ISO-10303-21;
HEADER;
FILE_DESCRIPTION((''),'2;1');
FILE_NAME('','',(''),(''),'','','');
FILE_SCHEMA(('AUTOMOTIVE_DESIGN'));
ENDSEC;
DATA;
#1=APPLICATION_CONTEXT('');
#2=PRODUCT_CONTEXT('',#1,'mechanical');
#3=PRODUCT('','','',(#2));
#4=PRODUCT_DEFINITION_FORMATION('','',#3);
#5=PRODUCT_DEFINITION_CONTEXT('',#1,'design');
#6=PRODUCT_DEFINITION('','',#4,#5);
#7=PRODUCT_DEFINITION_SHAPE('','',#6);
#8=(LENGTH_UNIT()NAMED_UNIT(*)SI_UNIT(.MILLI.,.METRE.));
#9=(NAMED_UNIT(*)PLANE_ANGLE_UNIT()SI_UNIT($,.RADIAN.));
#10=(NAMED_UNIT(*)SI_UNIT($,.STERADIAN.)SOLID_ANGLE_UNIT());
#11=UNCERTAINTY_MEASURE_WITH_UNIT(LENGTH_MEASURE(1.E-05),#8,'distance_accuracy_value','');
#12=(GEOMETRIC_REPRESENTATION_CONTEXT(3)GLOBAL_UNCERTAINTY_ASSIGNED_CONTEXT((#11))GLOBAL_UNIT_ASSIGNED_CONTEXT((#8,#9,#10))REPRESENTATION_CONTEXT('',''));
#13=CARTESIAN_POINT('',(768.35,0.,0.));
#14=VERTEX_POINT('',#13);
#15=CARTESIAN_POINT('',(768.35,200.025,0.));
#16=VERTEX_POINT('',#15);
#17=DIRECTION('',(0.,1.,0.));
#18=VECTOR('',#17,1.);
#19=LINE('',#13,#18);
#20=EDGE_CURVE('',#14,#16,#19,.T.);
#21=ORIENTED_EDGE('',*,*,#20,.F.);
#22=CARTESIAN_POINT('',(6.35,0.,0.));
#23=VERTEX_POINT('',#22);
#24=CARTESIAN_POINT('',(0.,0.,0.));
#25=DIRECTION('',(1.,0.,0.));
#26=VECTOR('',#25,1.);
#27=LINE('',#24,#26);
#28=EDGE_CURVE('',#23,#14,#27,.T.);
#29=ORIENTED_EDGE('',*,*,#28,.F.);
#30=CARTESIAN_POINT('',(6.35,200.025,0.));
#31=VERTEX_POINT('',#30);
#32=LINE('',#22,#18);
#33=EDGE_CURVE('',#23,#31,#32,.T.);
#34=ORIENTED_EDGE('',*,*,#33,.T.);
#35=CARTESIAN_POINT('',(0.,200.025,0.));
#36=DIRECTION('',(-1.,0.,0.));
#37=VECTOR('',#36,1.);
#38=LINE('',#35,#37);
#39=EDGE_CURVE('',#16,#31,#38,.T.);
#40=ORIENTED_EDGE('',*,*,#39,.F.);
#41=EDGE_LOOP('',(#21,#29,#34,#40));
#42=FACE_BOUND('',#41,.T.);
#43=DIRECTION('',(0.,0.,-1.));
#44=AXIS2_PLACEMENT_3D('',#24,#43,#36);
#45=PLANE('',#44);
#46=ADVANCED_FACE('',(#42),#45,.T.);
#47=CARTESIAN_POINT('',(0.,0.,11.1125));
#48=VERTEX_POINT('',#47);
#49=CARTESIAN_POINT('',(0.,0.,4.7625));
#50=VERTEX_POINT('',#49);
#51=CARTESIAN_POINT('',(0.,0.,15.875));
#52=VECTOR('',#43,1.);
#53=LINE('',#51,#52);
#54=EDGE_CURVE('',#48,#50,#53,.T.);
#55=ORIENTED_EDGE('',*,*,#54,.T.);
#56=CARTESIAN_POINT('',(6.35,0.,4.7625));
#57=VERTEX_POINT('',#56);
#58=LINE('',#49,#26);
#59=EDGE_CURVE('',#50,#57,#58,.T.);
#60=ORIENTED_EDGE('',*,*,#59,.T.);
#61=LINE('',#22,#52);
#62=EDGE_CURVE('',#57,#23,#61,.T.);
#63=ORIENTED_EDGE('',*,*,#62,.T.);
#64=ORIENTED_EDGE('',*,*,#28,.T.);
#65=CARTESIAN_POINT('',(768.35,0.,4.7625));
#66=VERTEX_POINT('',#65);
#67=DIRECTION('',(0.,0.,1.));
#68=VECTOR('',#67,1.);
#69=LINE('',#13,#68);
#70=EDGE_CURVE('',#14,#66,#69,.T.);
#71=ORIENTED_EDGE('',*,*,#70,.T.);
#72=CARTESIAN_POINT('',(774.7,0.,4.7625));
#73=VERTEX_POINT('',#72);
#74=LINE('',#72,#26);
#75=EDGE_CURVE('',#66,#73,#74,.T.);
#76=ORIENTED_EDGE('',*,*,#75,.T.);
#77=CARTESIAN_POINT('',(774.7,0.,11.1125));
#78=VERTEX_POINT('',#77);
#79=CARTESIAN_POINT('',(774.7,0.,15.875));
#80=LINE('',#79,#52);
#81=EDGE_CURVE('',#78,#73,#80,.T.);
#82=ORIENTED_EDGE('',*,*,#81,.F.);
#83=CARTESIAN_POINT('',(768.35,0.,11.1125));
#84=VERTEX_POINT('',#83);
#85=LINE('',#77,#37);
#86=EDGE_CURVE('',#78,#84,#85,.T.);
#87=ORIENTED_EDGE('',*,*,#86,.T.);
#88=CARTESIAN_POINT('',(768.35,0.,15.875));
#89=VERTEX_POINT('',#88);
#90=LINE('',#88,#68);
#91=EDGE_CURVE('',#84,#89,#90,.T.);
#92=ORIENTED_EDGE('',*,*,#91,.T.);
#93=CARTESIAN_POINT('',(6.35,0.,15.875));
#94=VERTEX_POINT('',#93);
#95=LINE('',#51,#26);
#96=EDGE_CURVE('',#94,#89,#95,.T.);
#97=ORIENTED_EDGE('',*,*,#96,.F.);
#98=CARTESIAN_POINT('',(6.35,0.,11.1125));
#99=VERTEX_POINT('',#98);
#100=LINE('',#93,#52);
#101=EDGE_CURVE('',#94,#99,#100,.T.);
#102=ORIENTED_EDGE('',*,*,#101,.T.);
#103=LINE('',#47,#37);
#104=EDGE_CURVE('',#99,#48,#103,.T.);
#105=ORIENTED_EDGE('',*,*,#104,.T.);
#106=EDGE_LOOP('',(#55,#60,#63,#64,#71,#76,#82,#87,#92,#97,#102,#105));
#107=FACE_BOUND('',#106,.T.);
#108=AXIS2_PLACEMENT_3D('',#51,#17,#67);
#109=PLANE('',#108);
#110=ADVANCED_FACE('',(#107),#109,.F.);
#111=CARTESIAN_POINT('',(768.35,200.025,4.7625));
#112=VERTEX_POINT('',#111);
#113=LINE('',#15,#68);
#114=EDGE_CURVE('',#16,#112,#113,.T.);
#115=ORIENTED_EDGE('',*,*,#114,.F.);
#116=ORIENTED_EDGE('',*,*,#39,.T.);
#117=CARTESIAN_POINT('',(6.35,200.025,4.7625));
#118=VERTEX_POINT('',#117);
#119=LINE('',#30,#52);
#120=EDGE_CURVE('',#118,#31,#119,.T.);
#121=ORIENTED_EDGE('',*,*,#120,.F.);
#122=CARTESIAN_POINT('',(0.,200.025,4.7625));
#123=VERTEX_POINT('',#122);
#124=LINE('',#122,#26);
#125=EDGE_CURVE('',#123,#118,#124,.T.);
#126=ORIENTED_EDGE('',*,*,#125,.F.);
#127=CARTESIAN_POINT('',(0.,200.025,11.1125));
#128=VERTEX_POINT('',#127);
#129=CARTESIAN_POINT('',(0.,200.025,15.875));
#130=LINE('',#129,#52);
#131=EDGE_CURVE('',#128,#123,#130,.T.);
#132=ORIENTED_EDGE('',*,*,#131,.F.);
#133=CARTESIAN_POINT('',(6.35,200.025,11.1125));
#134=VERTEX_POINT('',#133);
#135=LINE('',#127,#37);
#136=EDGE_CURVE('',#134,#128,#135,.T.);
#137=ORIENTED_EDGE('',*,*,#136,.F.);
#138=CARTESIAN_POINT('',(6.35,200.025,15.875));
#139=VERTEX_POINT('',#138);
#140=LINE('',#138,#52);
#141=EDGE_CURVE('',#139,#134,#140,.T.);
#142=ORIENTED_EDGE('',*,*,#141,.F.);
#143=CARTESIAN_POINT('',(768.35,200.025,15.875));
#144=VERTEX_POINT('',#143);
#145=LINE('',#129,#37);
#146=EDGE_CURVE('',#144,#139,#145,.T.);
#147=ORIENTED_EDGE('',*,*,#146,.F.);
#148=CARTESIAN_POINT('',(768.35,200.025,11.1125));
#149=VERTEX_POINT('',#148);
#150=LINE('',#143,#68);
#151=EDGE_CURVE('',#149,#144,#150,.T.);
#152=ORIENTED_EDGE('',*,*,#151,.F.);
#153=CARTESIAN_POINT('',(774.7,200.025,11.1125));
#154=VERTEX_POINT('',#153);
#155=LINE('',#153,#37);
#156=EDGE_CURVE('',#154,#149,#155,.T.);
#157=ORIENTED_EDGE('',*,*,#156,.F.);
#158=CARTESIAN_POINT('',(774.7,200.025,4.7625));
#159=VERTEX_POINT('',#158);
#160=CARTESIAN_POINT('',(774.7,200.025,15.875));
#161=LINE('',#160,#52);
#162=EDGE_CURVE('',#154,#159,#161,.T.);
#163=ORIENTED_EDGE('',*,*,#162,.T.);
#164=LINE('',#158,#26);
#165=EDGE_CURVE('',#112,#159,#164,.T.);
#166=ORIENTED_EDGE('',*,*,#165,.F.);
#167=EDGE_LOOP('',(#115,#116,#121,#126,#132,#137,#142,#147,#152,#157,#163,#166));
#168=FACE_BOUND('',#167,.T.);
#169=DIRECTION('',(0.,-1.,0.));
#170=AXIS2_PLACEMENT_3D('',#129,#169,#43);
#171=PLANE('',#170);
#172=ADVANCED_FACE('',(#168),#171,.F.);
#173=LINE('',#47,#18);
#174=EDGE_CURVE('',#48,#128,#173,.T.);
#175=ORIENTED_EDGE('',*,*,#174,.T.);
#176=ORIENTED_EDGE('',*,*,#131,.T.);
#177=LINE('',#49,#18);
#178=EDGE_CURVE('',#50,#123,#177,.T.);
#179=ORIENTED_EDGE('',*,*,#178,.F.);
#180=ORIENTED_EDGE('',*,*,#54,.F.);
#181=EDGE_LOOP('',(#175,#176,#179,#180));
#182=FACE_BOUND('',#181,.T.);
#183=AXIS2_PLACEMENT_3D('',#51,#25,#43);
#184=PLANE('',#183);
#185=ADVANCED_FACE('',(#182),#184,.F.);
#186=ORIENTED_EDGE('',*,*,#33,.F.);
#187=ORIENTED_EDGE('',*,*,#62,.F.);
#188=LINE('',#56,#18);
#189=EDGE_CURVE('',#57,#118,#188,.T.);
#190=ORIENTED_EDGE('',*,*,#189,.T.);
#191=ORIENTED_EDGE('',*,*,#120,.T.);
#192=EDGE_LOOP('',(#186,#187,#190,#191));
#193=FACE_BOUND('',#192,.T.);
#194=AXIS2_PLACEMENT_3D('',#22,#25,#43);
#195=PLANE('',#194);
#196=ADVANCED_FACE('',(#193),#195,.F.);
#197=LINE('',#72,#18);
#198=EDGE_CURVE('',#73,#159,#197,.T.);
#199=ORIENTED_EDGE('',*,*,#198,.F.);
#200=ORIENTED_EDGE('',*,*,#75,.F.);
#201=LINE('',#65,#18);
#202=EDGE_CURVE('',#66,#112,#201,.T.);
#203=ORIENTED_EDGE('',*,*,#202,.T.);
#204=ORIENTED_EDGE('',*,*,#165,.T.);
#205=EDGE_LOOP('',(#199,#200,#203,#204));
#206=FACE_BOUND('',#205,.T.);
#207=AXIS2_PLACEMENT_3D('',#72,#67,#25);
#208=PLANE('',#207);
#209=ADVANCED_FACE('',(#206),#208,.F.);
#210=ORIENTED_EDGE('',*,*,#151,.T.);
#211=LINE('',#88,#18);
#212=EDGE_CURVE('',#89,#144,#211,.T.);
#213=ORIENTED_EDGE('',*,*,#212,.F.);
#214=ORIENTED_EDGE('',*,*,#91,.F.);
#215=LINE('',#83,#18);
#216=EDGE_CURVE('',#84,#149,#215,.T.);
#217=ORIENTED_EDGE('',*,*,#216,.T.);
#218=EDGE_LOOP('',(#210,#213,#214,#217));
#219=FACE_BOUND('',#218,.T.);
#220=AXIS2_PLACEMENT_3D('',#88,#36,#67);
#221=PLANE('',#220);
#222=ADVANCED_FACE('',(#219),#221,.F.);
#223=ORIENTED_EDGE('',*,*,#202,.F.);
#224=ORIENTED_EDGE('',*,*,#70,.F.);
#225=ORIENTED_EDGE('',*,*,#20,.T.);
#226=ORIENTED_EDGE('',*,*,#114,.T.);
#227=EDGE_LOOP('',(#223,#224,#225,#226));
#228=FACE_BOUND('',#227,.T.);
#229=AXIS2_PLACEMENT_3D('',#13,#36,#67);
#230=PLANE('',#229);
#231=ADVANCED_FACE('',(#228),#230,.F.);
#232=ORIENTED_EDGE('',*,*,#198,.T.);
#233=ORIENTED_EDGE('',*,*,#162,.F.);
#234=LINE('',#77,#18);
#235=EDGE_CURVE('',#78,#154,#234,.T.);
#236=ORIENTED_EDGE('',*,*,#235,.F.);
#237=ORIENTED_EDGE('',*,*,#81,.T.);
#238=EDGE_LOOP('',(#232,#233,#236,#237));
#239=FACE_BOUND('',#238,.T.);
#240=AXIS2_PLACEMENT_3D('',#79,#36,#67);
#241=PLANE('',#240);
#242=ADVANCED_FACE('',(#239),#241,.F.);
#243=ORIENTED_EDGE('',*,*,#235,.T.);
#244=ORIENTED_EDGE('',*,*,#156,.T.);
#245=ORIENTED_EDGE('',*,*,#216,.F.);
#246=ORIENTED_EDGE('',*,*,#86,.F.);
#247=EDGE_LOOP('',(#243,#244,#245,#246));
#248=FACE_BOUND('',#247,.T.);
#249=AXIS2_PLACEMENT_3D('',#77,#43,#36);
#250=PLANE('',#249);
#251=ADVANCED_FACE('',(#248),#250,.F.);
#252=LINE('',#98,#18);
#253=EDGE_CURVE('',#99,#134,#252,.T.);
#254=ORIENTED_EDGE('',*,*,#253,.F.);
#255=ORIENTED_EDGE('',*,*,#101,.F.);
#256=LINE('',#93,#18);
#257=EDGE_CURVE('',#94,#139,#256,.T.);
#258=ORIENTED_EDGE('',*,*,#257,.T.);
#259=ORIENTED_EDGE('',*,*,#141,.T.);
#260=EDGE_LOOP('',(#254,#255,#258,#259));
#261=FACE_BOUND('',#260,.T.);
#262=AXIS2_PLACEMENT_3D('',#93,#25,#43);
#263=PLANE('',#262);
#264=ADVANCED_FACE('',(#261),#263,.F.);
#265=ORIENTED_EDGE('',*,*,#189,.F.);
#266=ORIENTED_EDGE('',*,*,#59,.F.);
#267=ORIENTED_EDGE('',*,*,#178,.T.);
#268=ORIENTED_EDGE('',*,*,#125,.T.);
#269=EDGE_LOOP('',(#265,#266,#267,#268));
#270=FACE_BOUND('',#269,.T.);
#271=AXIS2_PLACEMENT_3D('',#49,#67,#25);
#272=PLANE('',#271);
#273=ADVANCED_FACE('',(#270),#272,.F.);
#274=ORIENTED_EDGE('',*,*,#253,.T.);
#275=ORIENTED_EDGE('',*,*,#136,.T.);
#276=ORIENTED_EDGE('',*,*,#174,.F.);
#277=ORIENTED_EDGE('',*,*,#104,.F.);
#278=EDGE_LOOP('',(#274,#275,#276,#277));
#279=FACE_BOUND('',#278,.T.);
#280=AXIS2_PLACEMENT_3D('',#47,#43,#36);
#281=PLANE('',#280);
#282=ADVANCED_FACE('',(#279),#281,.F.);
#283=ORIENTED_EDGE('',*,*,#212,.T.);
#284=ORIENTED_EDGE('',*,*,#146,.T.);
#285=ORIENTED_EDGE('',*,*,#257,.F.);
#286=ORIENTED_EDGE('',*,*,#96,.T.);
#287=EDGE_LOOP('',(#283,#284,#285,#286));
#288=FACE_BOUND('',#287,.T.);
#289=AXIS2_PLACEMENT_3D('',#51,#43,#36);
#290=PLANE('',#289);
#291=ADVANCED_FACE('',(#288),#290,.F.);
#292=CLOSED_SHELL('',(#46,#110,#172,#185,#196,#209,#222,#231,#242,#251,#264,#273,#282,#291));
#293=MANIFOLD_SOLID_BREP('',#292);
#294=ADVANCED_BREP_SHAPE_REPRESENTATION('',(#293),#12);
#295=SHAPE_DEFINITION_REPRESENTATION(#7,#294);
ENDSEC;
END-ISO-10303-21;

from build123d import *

# Parameters (mm, degrees)
SKETCH1_W           = 774.7
SKETCH1_H           = 200.025
BOSS_EXTRUDE1_DEPTH = 15.875
SKETCH2_W           = 6.35
SKETCH2_H           = 4.7625
CUT_EXTRUDE1_DEPTH  = 201.025


with BuildPart() as part:
    # Sketch1 → Boss-Extrude1 (new body)
    with BuildSketch(Plane.XY):
        with Locations((387.35, 100.0125)):
            Rectangle(SKETCH1_W, SKETCH1_H)
    extrude(amount=BOSS_EXTRUDE1_DEPTH)

    # Sketch2 → Cut-Extrude1 (cut, through all)
    with BuildSketch(Plane(origin=(0, 200.025, 0), x_dir=(1, 0, 0), z_dir=(0, 1, 0))):
        with Locations((771.525, -13.49375)):
            Rectangle(SKETCH2_W, SKETCH2_H)
        with Locations((771.525, -2.38125)):
            Rectangle(SKETCH2_W, SKETCH2_H)
        with Locations((3.175, -2.38125)):
            Rectangle(SKETCH2_W, SKETCH2_H)
        with Locations((3.175, -13.49375)):
            Rectangle(SKETCH2_W, SKETCH2_H)
    extrude(amount=-CUT_EXTRUDE1_DEPTH, mode=Mode.SUBTRACT)


solid = part.part
